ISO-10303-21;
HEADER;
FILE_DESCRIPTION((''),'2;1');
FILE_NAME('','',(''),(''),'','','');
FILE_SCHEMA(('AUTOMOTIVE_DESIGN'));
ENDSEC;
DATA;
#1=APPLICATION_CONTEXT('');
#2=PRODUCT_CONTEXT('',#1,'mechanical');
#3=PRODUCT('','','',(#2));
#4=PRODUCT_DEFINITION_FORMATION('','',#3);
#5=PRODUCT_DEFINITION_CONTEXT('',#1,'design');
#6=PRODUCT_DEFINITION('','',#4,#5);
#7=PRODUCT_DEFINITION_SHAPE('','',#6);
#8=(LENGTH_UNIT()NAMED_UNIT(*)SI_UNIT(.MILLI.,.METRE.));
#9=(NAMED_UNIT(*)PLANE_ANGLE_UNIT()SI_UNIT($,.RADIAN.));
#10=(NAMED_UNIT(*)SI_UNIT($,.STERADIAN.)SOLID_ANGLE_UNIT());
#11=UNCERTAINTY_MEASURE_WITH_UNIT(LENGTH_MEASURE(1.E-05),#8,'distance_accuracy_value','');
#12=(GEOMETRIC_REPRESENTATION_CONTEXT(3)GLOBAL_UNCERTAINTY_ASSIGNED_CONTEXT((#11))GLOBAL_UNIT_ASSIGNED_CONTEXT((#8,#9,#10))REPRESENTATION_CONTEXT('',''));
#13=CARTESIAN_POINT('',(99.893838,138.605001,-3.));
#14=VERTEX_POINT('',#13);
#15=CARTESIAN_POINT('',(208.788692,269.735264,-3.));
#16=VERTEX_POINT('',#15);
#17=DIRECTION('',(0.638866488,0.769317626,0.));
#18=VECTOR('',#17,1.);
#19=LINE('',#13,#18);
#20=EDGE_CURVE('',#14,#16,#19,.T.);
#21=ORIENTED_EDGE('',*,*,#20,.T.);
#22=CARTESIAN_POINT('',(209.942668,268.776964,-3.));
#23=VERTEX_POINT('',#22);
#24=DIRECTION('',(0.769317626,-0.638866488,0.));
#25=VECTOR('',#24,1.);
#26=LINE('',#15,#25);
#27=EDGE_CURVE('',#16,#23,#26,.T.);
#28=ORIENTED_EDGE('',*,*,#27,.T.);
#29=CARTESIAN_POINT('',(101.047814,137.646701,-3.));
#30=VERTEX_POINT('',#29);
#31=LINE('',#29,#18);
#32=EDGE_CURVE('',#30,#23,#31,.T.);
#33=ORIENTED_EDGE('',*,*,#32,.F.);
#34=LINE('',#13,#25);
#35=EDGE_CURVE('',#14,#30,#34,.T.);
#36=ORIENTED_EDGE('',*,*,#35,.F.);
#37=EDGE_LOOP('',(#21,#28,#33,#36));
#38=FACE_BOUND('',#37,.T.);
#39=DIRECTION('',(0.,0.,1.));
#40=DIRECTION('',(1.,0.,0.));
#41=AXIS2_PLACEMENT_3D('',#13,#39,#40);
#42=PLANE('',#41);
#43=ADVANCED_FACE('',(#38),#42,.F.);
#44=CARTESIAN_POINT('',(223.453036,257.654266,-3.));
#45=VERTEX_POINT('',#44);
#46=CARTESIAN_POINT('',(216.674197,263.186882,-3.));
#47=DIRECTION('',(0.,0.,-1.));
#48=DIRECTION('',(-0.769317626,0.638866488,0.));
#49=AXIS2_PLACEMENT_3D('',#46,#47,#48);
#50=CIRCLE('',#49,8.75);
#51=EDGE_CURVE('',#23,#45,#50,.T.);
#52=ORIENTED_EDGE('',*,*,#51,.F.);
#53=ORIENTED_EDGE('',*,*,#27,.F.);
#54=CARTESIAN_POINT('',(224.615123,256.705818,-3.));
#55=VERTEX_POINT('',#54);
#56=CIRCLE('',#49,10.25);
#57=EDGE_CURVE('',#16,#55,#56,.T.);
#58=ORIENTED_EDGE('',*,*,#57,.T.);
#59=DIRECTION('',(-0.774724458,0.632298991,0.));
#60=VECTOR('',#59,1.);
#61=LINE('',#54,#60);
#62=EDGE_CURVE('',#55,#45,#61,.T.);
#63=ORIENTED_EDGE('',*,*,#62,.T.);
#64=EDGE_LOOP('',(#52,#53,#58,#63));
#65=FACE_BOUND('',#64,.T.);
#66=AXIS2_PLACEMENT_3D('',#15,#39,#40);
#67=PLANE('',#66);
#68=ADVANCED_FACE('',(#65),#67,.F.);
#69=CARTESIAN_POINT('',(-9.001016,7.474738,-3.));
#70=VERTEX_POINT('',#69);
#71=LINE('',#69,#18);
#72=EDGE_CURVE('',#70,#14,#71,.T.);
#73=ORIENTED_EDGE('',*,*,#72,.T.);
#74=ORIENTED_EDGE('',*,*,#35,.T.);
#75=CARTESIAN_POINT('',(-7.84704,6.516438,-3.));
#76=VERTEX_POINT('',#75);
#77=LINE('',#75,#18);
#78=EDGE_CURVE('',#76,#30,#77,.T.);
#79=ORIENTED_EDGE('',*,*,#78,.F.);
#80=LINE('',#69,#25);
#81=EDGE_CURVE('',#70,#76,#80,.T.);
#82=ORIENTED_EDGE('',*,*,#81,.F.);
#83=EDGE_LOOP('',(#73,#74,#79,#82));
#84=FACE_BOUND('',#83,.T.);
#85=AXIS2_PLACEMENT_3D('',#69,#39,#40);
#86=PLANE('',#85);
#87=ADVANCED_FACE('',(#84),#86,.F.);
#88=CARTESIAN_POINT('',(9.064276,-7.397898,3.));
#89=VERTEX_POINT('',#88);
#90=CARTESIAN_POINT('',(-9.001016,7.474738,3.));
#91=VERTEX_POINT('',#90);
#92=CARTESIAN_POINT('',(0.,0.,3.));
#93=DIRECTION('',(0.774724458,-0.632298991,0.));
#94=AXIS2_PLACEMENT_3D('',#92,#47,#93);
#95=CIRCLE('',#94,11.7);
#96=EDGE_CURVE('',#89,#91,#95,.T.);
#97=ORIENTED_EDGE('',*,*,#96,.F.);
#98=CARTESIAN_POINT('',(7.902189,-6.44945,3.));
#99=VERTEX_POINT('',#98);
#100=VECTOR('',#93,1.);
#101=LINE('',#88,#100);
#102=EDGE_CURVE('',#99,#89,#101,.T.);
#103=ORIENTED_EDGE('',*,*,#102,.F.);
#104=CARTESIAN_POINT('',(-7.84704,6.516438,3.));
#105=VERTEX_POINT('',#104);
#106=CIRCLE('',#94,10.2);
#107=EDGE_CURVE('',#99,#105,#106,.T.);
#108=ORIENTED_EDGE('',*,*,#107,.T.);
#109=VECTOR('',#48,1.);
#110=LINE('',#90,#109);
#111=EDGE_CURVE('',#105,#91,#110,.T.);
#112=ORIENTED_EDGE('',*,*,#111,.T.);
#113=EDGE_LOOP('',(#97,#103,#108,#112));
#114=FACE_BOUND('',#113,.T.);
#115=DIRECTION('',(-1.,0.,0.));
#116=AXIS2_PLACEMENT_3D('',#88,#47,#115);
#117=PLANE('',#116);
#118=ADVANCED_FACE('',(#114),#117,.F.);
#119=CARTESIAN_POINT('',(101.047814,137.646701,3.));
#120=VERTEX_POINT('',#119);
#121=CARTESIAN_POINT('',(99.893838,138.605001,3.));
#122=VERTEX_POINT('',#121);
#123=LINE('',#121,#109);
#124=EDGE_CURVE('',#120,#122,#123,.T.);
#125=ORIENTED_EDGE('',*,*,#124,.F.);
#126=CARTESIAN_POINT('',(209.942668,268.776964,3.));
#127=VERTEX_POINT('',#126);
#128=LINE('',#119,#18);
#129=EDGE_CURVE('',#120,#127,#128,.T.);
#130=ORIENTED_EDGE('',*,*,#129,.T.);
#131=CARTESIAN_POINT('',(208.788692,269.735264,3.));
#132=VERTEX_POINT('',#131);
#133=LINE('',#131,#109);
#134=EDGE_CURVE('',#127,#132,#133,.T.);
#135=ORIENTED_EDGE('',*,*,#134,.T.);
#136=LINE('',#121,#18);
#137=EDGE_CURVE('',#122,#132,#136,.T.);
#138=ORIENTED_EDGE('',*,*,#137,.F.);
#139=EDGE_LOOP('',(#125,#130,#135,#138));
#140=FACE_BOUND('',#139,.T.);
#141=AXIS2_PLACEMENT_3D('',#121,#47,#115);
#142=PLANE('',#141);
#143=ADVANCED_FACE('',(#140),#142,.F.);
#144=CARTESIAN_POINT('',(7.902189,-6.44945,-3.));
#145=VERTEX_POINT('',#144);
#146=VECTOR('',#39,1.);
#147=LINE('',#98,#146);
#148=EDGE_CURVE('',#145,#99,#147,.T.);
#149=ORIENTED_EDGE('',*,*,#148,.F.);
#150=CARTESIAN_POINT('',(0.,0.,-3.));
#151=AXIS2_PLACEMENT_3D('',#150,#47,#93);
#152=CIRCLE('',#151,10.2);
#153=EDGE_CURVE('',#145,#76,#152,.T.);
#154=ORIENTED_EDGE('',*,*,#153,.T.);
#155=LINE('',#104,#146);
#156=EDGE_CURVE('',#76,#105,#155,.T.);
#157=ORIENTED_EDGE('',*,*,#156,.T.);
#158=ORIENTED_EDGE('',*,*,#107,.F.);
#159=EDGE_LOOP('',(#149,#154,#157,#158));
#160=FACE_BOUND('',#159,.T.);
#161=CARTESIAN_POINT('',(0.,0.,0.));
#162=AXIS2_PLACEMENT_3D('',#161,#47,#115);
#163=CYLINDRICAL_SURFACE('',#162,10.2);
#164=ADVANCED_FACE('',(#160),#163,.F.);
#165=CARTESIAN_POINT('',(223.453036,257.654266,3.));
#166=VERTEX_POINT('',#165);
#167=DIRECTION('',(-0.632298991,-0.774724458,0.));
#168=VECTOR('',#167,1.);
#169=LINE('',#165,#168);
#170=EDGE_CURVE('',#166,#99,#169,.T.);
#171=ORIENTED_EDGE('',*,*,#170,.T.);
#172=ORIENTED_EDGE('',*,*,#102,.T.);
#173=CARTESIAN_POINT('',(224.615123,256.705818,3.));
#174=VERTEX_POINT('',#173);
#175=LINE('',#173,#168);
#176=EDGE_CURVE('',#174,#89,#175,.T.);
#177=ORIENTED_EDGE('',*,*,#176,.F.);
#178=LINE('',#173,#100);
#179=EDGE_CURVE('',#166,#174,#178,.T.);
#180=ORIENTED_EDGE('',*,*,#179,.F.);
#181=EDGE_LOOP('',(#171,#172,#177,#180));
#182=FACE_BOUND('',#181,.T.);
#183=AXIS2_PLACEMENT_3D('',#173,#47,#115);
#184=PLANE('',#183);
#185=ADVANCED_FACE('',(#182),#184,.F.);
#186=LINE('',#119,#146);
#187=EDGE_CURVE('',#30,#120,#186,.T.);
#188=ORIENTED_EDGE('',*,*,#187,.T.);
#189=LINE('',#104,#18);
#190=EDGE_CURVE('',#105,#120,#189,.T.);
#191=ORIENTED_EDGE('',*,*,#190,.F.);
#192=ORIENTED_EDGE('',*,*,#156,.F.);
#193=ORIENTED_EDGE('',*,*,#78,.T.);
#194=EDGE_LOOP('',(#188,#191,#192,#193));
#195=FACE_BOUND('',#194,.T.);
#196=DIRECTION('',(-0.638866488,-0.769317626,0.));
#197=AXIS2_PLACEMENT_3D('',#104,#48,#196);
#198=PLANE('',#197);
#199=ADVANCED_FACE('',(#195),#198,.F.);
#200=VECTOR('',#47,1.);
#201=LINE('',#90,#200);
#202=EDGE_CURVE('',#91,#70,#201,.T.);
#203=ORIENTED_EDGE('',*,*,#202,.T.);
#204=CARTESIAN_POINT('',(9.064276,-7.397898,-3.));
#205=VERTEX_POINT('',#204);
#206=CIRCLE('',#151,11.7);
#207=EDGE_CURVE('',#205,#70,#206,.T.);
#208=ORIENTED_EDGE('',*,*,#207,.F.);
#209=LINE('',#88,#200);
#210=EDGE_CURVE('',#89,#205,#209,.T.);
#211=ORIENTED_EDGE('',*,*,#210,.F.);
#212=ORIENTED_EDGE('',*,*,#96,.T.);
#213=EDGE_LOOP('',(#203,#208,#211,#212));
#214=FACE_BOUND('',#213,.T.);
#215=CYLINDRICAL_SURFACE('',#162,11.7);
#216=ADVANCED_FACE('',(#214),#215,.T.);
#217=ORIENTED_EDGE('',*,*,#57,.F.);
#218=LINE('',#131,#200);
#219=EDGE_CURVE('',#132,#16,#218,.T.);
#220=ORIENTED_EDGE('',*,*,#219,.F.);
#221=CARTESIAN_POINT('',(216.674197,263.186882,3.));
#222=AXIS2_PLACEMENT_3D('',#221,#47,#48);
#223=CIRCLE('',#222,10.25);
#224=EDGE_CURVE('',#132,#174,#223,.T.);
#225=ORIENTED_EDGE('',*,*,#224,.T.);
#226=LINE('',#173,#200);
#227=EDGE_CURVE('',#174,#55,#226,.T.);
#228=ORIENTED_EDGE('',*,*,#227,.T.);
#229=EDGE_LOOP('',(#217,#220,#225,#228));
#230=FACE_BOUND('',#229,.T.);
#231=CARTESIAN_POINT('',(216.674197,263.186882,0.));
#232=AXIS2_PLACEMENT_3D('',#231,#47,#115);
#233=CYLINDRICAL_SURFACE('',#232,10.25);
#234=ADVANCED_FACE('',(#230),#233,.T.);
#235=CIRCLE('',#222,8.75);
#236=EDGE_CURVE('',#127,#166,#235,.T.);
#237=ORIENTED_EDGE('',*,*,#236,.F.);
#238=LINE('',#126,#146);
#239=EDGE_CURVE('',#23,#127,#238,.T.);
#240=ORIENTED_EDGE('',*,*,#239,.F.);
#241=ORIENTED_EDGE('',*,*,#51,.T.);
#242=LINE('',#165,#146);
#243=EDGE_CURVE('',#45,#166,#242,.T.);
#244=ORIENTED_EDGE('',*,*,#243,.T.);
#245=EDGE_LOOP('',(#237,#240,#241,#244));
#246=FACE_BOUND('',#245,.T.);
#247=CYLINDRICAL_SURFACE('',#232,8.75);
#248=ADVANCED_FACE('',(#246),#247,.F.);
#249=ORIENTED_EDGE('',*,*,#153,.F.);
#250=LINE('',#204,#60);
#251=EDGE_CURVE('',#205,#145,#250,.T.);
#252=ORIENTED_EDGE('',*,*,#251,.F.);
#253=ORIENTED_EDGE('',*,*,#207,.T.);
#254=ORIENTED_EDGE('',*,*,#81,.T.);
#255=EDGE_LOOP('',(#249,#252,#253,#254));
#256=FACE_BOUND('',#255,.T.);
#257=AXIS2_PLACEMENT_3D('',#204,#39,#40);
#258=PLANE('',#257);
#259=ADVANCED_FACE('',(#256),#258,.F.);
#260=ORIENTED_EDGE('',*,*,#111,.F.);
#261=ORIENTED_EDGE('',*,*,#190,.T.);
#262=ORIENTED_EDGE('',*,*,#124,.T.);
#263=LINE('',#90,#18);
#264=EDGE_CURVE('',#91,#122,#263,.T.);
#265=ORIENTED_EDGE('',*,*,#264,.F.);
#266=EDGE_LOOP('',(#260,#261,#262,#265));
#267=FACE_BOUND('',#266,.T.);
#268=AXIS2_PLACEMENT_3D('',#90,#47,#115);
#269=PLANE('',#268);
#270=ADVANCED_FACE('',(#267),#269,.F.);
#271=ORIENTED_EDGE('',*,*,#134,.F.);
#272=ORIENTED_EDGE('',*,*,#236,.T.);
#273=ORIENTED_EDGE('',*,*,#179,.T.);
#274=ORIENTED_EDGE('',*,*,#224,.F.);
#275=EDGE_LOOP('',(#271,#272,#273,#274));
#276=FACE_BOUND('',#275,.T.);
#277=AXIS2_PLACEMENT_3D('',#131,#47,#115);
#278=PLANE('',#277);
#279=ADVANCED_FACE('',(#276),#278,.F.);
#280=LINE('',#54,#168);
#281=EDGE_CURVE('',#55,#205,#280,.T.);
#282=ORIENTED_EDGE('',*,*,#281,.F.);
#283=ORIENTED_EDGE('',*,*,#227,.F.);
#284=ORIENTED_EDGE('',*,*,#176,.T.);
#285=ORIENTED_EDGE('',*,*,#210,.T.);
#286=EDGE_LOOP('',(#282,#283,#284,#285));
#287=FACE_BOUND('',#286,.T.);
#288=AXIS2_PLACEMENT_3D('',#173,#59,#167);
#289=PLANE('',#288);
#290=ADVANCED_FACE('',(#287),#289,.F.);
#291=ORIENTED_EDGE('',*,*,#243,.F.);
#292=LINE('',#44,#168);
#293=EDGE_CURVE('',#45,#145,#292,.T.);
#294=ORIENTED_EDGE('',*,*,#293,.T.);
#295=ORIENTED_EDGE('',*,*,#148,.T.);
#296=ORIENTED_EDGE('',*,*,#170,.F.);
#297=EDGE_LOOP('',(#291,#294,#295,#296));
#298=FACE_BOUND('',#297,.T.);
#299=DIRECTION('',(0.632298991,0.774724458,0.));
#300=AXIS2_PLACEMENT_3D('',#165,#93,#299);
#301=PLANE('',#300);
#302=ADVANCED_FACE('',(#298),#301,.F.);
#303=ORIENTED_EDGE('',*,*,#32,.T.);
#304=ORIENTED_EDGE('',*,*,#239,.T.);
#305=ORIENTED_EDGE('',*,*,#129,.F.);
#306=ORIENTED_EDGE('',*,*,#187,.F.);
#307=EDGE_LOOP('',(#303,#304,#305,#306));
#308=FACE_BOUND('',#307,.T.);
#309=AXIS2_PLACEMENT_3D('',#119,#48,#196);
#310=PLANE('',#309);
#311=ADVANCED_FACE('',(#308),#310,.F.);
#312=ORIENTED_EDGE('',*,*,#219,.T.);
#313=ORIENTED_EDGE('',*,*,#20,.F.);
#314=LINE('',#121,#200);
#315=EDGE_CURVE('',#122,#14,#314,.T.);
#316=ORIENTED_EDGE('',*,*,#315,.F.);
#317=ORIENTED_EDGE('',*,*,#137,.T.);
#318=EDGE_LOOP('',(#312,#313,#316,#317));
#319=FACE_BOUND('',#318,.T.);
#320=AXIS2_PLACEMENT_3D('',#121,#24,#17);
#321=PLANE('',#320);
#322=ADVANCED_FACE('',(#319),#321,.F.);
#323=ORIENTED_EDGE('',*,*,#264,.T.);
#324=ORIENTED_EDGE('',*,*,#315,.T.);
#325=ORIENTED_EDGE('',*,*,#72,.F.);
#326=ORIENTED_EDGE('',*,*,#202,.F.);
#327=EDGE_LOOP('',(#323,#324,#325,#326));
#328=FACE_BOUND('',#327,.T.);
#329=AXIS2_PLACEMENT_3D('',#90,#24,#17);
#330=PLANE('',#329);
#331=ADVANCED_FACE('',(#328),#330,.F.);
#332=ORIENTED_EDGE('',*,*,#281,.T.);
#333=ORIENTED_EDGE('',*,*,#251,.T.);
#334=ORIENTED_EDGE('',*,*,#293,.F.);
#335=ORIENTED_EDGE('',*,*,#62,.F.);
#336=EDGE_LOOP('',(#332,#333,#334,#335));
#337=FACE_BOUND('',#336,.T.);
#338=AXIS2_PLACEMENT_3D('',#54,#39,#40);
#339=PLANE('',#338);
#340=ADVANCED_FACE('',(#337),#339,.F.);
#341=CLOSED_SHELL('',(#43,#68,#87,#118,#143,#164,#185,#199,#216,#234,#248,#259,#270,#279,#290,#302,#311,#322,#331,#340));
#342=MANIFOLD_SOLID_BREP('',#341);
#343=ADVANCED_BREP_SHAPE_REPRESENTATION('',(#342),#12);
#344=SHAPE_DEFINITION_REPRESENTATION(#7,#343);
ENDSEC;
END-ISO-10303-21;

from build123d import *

# Parameters (mm, degrees)
SKETCH2_W = 1.5
SKETCH2_H = 6


with BuildPart() as part:
    # Sweep1: sweep along a path in Sketch1
    with BuildLine(Plane.XY) as sweep1_path:
        Line((209.94266806, 268.776963946), (-7.847039789, 6.51643818))
        ThreePointArc((-7.847039789, 6.51643818), (-6.483002588, -7.874685863), (7.902189472, -6.449449709))
        Line((7.902189472, -6.449449709), (223.453036299, 257.654266002))
        ThreePointArc((223.453036299, 257.654266002), (222.23559657, 269.9421274), (209.94266806, 268.776963946))
    # Sketch2 → Sweep1 (sweep)
    with BuildSketch(Plane(origin=(101.047814135, 137.646701063, 0), x_dir=(-0.769317626, 0.638866488, 0), z_dir=(-0.638866488, -0.769317626, 0))):
        with Locations((0.75, 0)):
            Rectangle(SKETCH2_W, SKETCH2_H)
    sweep(path=sweep1_path.line)


solid = part.part
